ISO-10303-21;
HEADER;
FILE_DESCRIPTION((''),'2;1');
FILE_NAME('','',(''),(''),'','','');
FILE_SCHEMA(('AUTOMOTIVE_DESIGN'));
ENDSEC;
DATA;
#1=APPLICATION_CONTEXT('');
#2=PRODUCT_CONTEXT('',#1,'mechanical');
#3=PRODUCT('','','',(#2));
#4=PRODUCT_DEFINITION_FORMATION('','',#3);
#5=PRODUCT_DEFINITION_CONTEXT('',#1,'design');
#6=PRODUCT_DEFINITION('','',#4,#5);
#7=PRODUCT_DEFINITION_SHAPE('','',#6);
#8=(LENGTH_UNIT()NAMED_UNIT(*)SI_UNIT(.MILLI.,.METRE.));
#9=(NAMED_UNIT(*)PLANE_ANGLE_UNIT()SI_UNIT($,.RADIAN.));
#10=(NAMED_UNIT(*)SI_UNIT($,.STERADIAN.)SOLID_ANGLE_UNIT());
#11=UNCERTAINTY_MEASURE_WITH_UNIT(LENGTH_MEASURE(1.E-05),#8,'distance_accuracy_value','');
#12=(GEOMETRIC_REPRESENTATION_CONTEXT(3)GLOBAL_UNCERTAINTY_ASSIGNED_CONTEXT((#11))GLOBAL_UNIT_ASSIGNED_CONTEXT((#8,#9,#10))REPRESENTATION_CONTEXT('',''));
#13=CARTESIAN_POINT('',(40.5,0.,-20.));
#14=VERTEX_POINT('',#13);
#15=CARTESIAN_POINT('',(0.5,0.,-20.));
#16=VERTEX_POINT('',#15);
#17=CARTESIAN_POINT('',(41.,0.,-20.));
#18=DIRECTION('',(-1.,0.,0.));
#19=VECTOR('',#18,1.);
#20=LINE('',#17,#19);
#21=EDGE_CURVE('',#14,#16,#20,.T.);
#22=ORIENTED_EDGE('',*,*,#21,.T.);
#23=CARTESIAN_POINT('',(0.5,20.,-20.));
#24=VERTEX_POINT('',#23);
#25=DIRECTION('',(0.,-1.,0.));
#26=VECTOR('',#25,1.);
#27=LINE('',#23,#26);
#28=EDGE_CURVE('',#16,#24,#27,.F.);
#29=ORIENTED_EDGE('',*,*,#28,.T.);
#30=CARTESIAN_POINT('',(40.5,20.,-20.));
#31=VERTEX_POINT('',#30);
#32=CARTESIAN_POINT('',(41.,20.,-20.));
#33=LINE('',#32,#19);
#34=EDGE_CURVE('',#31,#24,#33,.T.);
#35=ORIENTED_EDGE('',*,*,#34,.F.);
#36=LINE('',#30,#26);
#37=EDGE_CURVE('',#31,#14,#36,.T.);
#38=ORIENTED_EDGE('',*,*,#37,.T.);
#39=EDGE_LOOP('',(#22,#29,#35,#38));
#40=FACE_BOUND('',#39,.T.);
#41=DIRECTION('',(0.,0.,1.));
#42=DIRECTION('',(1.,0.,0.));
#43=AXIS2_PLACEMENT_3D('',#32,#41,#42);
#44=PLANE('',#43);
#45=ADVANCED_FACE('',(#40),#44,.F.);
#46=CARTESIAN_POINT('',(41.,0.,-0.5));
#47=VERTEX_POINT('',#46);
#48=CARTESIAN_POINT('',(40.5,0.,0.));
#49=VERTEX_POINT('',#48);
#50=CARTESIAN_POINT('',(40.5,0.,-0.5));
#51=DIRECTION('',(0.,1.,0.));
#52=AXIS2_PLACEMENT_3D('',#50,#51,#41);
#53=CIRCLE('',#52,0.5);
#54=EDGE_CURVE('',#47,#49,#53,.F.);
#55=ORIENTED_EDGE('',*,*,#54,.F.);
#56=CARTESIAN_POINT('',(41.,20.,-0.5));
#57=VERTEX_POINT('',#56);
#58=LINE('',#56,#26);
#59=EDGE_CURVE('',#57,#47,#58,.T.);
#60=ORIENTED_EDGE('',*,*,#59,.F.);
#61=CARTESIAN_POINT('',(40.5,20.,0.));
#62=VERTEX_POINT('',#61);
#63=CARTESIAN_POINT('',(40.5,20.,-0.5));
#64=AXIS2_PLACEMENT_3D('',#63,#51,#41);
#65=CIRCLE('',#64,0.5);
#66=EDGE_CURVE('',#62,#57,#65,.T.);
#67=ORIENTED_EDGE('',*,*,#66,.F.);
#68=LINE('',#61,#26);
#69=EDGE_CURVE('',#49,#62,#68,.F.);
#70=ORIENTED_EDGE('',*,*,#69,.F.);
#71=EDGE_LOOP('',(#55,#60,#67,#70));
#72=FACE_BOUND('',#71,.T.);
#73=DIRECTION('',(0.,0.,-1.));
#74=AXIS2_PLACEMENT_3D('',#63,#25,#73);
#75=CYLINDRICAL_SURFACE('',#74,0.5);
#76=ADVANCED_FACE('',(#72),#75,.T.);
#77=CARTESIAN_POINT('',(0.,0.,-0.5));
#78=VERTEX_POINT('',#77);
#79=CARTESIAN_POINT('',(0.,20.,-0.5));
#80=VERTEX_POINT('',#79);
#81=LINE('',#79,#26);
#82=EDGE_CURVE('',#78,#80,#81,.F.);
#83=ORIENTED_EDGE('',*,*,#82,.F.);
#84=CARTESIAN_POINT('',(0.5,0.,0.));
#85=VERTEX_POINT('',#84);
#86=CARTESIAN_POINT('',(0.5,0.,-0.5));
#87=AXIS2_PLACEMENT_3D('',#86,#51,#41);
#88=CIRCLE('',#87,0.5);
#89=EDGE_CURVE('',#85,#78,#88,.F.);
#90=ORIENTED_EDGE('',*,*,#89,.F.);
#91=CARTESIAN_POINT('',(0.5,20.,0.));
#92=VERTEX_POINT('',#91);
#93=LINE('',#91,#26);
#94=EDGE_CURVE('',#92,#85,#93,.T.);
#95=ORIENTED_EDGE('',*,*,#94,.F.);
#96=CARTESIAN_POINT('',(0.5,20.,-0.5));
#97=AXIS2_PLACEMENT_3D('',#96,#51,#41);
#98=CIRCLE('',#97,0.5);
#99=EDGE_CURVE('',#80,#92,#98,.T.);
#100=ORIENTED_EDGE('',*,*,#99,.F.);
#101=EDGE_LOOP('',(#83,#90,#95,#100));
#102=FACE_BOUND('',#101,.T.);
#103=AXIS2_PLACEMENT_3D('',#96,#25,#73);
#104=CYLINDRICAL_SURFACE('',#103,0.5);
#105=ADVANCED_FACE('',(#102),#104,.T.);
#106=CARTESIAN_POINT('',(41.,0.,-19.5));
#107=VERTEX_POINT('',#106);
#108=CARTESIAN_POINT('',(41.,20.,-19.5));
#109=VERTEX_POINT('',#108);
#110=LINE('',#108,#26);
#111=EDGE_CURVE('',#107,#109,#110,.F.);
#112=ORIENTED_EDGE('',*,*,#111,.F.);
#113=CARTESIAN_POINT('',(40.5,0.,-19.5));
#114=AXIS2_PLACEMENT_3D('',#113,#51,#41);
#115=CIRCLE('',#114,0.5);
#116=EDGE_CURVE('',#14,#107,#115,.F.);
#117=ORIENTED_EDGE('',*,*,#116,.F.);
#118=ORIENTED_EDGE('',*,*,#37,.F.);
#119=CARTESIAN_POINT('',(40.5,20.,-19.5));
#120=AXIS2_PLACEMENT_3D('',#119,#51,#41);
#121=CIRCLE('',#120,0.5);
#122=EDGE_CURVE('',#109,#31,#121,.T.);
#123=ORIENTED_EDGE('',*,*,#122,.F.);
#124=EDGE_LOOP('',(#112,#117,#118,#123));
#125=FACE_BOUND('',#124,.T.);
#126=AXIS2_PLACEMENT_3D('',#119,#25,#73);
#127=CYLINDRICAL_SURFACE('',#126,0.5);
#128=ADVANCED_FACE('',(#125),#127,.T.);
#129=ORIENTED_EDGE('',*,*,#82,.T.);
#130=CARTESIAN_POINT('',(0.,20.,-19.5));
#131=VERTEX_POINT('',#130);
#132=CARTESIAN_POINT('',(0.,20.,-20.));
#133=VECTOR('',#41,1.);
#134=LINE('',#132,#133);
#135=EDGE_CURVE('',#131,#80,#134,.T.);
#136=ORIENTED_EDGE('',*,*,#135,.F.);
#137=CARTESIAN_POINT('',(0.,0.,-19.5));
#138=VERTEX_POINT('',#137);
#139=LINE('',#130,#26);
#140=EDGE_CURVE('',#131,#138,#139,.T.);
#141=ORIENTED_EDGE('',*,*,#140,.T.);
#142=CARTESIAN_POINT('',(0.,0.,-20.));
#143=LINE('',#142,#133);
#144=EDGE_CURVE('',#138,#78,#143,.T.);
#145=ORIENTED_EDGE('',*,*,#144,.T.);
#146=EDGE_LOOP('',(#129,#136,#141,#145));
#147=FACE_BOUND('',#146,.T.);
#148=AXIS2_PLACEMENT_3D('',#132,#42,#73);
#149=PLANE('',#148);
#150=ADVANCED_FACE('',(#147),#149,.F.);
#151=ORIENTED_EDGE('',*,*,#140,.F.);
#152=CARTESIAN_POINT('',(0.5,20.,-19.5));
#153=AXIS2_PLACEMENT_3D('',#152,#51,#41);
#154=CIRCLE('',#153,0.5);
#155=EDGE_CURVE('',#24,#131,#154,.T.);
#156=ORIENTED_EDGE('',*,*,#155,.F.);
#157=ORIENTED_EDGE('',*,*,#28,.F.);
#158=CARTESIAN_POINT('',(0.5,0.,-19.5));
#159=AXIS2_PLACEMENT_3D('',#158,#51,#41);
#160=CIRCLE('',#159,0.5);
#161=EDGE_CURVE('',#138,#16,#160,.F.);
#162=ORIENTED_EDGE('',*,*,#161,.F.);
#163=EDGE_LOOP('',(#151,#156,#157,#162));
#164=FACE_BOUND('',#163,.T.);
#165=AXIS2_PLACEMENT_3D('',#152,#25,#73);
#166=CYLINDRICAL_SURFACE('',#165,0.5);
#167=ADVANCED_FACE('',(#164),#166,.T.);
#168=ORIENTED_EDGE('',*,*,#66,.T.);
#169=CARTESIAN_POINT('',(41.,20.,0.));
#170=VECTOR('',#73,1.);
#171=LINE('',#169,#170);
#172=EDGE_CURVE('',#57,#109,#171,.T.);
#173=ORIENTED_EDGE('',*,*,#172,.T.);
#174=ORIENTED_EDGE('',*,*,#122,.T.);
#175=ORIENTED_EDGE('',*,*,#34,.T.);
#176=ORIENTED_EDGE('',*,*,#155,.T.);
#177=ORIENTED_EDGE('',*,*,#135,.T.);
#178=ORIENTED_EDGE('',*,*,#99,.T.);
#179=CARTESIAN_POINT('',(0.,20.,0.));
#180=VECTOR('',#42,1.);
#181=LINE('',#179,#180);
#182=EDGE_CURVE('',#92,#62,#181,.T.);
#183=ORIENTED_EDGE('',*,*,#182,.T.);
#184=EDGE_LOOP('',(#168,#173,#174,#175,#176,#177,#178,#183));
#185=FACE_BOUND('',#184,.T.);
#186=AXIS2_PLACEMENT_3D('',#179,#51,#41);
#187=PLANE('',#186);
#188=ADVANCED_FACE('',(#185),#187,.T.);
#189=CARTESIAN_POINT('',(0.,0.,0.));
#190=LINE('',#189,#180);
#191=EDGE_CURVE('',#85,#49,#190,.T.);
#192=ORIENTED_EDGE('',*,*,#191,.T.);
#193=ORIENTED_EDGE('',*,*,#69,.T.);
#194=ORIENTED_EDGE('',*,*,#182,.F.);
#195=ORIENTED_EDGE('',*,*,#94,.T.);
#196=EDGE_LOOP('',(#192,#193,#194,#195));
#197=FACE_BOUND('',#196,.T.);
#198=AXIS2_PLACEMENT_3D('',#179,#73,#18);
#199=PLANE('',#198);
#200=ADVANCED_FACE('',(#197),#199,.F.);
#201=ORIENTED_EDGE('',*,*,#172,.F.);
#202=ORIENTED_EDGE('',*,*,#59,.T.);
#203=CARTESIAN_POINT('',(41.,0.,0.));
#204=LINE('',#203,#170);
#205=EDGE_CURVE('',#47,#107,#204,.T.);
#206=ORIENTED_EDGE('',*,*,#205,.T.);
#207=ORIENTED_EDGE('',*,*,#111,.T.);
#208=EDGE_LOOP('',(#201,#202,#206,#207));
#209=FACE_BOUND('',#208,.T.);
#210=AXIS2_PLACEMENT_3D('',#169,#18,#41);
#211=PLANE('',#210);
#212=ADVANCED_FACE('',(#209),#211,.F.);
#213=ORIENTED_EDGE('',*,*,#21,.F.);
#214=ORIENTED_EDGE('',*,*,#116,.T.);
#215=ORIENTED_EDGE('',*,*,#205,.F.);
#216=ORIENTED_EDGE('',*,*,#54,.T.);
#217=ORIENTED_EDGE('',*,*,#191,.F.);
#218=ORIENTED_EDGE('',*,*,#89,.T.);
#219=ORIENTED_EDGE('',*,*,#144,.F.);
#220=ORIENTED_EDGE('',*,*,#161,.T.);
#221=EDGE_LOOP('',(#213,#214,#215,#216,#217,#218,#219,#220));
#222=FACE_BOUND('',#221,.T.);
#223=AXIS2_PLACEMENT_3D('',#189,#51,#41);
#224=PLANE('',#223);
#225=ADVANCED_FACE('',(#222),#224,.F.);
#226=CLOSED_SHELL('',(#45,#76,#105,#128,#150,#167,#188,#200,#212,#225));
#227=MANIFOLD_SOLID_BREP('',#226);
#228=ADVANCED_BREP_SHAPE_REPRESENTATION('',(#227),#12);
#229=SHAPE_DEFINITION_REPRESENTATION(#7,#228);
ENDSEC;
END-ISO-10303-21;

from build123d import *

# Parameters (mm, degrees)
SKETCH1_W           = 41
SKETCH1_H           = 20
BOSS_EXTRUDE1_DEPTH = 20
FILLET1_R           = 0.5


with BuildPart() as part:
    # Sketch1 → Boss-Extrude1 (new body)
    with BuildSketch(Plane(origin=(0, 0, 0), x_dir=(1, 0, 0), z_dir=(0, 1, 0))):
        with Locations((20.5, 10)):
            Rectangle(SKETCH1_W, SKETCH1_H)
    extrude(amount=BOSS_EXTRUDE1_DEPTH)

    # Fillet1
    fillet1_edges = [part.edges().sort_by_distance(p)[0] for p in [
        (0, 10, -20),
        (41, 10, -20),
        (41, 10, 0),
        (0, 10, 0),
    ]]
    fillet(fillet1_edges, radius=FILLET1_R)


solid = part.part
